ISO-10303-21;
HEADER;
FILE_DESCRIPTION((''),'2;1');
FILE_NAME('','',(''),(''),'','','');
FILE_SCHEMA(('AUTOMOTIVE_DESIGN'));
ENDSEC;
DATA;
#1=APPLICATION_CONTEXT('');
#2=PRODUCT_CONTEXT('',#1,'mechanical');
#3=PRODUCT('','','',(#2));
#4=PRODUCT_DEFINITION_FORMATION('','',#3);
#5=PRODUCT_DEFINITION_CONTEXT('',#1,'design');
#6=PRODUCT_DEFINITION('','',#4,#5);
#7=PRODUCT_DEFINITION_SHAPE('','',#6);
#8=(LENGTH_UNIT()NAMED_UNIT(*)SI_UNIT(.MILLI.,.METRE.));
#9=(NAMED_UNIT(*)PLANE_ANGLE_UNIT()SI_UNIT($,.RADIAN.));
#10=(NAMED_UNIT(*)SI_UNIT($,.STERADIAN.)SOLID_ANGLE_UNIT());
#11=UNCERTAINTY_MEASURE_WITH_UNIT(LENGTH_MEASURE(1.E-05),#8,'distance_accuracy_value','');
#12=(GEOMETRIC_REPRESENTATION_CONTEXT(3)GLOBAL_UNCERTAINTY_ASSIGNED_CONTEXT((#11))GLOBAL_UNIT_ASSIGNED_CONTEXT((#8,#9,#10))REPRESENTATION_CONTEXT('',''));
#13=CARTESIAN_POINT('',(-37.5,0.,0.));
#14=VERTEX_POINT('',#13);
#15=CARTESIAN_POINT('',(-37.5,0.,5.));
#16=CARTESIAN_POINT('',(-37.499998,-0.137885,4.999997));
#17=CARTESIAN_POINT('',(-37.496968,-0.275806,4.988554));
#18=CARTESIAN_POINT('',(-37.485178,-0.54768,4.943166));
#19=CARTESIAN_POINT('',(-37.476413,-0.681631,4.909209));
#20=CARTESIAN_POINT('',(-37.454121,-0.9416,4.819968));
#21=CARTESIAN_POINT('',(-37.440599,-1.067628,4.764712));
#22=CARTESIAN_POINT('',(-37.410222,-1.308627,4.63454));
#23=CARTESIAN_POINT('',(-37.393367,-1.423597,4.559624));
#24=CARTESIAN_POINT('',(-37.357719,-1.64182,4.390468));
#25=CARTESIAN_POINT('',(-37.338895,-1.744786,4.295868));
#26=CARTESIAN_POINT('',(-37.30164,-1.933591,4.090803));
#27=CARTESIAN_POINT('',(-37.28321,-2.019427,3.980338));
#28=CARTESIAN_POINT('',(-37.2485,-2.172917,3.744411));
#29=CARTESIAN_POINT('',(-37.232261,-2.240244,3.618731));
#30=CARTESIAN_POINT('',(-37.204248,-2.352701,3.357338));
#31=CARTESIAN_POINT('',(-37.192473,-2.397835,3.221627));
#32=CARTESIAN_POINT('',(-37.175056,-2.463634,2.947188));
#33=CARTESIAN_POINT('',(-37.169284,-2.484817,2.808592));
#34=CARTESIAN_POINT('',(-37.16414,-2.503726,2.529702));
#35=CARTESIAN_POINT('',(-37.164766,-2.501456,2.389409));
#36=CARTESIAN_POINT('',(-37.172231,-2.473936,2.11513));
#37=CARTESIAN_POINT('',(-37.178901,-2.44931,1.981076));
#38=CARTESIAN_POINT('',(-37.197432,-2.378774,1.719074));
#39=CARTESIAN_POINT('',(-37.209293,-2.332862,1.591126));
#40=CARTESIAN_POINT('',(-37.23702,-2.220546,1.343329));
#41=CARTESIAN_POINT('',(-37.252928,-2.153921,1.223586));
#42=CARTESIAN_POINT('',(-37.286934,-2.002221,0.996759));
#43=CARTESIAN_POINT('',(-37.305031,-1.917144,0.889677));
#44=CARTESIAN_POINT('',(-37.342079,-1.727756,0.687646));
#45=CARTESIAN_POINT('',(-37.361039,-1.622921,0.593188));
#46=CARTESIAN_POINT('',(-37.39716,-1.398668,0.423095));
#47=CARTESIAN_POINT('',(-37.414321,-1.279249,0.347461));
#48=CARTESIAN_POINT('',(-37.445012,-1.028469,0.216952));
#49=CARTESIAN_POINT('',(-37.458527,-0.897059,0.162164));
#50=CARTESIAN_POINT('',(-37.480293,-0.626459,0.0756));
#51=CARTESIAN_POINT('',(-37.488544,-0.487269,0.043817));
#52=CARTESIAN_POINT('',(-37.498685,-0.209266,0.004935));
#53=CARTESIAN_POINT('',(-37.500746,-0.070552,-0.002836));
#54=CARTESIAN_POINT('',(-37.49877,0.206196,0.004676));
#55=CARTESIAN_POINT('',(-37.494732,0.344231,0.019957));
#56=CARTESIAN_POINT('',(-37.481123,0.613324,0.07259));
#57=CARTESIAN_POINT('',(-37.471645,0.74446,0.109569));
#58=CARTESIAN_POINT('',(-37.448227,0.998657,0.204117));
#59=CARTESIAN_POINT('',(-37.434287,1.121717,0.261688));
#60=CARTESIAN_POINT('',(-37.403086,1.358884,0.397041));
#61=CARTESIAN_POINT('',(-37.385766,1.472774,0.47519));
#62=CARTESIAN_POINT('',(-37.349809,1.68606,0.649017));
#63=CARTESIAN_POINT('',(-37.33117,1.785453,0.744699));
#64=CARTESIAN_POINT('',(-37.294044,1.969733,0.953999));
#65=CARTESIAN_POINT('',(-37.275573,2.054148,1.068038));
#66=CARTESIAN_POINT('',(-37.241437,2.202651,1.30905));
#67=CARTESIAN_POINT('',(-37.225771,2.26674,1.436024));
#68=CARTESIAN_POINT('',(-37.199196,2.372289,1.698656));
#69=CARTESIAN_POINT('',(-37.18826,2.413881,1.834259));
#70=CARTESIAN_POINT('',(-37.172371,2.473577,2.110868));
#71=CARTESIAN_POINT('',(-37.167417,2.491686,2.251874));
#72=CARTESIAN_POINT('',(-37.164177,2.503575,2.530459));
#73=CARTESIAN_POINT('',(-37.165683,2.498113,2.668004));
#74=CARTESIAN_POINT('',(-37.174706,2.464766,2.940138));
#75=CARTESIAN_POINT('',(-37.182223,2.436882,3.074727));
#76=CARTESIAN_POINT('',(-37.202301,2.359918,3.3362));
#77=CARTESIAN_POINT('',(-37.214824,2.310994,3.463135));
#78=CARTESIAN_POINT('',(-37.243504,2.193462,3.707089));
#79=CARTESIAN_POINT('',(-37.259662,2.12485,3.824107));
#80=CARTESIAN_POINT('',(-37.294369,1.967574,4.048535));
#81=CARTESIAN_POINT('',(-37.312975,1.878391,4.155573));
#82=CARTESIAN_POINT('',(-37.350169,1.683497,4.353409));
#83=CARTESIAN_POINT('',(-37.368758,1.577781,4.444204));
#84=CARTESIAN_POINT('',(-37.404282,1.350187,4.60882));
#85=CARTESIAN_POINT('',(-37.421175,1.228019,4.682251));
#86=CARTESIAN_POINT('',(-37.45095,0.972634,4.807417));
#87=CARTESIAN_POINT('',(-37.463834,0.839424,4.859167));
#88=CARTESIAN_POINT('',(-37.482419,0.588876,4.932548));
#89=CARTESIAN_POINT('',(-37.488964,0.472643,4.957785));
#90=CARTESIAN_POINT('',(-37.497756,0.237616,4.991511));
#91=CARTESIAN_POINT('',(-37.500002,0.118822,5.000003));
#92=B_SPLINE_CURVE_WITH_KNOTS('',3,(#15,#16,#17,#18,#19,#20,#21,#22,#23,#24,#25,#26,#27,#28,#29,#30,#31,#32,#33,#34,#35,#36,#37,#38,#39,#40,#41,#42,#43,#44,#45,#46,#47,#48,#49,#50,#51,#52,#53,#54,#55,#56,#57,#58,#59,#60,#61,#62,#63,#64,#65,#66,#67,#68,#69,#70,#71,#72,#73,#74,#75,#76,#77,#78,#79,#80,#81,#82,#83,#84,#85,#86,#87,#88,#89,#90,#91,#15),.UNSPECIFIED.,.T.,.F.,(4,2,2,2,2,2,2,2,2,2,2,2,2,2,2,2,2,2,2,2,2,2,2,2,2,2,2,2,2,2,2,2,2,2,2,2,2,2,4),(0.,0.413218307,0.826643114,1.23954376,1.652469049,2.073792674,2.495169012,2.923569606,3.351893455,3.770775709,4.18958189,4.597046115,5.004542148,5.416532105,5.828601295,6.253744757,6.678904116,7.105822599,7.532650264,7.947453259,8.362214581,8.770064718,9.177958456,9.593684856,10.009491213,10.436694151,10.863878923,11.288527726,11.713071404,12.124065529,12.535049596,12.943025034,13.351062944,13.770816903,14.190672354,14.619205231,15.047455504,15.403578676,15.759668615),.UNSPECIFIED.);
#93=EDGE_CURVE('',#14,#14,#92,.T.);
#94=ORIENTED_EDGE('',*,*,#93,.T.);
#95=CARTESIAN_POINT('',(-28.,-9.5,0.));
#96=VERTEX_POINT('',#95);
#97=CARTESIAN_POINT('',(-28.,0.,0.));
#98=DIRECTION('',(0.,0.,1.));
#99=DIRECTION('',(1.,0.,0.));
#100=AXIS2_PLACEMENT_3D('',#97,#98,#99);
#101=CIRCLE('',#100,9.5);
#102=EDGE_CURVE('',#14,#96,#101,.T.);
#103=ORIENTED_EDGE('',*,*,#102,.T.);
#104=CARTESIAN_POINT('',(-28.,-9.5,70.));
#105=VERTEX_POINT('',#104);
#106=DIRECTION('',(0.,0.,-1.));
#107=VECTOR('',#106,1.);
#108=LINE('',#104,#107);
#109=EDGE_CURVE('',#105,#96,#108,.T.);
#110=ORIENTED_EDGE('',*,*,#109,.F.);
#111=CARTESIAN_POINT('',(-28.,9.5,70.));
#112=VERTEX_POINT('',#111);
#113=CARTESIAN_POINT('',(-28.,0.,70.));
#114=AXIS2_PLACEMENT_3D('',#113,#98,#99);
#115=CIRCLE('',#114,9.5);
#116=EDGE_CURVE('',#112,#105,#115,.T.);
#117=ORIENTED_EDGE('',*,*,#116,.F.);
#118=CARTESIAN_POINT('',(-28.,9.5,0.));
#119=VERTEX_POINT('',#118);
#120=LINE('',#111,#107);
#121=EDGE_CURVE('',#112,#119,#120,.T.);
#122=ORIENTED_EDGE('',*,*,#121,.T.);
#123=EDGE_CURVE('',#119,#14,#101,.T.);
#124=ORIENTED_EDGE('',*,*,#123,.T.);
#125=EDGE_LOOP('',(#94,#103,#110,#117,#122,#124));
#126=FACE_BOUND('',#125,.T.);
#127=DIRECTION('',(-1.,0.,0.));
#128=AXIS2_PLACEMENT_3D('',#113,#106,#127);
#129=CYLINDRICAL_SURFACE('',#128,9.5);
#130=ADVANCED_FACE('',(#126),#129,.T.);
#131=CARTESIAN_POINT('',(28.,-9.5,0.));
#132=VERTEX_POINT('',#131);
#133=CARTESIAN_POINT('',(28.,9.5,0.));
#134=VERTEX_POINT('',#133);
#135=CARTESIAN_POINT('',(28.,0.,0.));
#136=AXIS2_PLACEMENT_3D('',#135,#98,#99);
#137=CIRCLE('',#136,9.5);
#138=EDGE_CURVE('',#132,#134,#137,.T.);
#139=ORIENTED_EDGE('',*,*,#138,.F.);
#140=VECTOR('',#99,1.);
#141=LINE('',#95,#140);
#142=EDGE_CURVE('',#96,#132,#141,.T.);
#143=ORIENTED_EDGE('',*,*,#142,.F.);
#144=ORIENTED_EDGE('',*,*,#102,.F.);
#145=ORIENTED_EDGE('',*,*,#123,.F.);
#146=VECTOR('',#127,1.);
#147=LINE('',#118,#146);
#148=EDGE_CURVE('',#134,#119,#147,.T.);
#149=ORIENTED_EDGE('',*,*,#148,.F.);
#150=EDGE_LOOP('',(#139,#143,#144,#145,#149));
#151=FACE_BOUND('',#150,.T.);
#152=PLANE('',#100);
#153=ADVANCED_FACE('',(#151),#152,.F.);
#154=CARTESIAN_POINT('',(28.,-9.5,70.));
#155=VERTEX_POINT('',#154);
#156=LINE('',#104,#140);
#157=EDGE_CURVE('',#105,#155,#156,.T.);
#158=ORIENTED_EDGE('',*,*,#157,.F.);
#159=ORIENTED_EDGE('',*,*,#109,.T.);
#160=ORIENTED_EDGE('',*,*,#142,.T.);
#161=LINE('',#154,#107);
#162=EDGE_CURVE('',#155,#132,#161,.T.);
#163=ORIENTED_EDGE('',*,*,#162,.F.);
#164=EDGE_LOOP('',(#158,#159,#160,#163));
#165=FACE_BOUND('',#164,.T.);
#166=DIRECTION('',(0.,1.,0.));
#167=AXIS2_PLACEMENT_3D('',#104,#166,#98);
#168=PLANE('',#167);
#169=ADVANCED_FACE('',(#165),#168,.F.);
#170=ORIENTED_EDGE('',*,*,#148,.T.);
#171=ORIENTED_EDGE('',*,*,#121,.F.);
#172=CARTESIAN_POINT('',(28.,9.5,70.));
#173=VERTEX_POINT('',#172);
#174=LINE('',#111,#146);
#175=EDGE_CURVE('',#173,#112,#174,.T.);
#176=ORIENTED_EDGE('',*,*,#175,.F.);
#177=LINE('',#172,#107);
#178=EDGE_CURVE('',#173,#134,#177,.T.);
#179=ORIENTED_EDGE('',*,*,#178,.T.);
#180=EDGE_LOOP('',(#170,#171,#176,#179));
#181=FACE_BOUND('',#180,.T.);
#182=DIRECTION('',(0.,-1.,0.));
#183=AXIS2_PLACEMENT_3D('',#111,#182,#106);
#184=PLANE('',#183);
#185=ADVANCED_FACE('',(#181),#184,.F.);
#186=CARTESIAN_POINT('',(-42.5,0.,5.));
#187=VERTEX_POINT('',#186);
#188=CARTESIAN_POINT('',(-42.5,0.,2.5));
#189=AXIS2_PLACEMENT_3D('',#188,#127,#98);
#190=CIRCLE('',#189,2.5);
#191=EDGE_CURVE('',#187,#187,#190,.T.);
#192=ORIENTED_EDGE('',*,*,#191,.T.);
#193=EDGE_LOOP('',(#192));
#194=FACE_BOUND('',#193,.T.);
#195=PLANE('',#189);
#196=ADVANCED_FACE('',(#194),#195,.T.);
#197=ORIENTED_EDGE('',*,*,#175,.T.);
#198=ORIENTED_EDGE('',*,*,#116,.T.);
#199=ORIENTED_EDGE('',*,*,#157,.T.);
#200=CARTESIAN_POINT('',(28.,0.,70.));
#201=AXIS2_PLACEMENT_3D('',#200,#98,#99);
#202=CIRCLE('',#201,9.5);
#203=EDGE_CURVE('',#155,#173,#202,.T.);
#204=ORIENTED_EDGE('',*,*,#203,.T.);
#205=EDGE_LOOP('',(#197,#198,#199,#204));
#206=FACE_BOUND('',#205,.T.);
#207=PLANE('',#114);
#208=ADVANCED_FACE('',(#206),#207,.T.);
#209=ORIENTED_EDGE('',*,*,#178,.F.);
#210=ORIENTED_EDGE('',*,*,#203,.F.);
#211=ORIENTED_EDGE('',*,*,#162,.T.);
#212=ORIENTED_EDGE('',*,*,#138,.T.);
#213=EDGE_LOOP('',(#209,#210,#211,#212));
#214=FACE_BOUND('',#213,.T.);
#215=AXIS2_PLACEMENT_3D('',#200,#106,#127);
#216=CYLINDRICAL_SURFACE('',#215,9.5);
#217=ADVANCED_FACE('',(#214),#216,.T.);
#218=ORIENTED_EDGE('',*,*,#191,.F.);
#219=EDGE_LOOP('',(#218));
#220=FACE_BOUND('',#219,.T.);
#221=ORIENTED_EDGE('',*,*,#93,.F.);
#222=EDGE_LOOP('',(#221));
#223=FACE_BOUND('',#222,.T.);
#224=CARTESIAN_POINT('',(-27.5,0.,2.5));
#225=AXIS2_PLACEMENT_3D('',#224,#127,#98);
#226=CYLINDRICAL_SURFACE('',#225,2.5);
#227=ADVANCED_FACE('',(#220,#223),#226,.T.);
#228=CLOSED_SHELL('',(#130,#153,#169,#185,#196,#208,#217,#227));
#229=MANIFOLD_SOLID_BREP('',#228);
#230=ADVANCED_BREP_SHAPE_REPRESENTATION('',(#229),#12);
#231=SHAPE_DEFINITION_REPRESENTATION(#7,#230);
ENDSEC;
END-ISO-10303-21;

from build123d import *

# Parameters (mm, degrees)
EXTRUDE_1_DEPTH      = 70
EXTRUDE_3_DEPTH      = 5
EXTRUDE_3_DEPTH_BACK = 10
SKETCH_2_R           = 2.5


with BuildPart() as part:
    # 草图1 → 凸台-拉伸1 (new body)
    with BuildSketch(Plane.XY):
        with BuildLine():
            Line((-28, 9.5), (28, 9.5))
            ThreePointArc((28, 9.5), (37.5, 0), (28, -9.5))
            Line((28, -9.5), (-28, -9.5))
            ThreePointArc((-28, -9.5), (-37.5, 0), (-28, 9.5))
        make_face()
    extrude(amount=EXTRUDE_1_DEPTH)

    # 草图2 → 凸台-拉伸3 (add, two sides: drawn at the far end of the back side and taken through both)
    with BuildSketch(Plane.ZY.offset(37.5).offset(-EXTRUDE_3_DEPTH_BACK)):
        with Locations((2.5, 0)):
            Circle(SKETCH_2_R)
    extrude(amount=EXTRUDE_3_DEPTH + EXTRUDE_3_DEPTH_BACK)


solid = part.part
